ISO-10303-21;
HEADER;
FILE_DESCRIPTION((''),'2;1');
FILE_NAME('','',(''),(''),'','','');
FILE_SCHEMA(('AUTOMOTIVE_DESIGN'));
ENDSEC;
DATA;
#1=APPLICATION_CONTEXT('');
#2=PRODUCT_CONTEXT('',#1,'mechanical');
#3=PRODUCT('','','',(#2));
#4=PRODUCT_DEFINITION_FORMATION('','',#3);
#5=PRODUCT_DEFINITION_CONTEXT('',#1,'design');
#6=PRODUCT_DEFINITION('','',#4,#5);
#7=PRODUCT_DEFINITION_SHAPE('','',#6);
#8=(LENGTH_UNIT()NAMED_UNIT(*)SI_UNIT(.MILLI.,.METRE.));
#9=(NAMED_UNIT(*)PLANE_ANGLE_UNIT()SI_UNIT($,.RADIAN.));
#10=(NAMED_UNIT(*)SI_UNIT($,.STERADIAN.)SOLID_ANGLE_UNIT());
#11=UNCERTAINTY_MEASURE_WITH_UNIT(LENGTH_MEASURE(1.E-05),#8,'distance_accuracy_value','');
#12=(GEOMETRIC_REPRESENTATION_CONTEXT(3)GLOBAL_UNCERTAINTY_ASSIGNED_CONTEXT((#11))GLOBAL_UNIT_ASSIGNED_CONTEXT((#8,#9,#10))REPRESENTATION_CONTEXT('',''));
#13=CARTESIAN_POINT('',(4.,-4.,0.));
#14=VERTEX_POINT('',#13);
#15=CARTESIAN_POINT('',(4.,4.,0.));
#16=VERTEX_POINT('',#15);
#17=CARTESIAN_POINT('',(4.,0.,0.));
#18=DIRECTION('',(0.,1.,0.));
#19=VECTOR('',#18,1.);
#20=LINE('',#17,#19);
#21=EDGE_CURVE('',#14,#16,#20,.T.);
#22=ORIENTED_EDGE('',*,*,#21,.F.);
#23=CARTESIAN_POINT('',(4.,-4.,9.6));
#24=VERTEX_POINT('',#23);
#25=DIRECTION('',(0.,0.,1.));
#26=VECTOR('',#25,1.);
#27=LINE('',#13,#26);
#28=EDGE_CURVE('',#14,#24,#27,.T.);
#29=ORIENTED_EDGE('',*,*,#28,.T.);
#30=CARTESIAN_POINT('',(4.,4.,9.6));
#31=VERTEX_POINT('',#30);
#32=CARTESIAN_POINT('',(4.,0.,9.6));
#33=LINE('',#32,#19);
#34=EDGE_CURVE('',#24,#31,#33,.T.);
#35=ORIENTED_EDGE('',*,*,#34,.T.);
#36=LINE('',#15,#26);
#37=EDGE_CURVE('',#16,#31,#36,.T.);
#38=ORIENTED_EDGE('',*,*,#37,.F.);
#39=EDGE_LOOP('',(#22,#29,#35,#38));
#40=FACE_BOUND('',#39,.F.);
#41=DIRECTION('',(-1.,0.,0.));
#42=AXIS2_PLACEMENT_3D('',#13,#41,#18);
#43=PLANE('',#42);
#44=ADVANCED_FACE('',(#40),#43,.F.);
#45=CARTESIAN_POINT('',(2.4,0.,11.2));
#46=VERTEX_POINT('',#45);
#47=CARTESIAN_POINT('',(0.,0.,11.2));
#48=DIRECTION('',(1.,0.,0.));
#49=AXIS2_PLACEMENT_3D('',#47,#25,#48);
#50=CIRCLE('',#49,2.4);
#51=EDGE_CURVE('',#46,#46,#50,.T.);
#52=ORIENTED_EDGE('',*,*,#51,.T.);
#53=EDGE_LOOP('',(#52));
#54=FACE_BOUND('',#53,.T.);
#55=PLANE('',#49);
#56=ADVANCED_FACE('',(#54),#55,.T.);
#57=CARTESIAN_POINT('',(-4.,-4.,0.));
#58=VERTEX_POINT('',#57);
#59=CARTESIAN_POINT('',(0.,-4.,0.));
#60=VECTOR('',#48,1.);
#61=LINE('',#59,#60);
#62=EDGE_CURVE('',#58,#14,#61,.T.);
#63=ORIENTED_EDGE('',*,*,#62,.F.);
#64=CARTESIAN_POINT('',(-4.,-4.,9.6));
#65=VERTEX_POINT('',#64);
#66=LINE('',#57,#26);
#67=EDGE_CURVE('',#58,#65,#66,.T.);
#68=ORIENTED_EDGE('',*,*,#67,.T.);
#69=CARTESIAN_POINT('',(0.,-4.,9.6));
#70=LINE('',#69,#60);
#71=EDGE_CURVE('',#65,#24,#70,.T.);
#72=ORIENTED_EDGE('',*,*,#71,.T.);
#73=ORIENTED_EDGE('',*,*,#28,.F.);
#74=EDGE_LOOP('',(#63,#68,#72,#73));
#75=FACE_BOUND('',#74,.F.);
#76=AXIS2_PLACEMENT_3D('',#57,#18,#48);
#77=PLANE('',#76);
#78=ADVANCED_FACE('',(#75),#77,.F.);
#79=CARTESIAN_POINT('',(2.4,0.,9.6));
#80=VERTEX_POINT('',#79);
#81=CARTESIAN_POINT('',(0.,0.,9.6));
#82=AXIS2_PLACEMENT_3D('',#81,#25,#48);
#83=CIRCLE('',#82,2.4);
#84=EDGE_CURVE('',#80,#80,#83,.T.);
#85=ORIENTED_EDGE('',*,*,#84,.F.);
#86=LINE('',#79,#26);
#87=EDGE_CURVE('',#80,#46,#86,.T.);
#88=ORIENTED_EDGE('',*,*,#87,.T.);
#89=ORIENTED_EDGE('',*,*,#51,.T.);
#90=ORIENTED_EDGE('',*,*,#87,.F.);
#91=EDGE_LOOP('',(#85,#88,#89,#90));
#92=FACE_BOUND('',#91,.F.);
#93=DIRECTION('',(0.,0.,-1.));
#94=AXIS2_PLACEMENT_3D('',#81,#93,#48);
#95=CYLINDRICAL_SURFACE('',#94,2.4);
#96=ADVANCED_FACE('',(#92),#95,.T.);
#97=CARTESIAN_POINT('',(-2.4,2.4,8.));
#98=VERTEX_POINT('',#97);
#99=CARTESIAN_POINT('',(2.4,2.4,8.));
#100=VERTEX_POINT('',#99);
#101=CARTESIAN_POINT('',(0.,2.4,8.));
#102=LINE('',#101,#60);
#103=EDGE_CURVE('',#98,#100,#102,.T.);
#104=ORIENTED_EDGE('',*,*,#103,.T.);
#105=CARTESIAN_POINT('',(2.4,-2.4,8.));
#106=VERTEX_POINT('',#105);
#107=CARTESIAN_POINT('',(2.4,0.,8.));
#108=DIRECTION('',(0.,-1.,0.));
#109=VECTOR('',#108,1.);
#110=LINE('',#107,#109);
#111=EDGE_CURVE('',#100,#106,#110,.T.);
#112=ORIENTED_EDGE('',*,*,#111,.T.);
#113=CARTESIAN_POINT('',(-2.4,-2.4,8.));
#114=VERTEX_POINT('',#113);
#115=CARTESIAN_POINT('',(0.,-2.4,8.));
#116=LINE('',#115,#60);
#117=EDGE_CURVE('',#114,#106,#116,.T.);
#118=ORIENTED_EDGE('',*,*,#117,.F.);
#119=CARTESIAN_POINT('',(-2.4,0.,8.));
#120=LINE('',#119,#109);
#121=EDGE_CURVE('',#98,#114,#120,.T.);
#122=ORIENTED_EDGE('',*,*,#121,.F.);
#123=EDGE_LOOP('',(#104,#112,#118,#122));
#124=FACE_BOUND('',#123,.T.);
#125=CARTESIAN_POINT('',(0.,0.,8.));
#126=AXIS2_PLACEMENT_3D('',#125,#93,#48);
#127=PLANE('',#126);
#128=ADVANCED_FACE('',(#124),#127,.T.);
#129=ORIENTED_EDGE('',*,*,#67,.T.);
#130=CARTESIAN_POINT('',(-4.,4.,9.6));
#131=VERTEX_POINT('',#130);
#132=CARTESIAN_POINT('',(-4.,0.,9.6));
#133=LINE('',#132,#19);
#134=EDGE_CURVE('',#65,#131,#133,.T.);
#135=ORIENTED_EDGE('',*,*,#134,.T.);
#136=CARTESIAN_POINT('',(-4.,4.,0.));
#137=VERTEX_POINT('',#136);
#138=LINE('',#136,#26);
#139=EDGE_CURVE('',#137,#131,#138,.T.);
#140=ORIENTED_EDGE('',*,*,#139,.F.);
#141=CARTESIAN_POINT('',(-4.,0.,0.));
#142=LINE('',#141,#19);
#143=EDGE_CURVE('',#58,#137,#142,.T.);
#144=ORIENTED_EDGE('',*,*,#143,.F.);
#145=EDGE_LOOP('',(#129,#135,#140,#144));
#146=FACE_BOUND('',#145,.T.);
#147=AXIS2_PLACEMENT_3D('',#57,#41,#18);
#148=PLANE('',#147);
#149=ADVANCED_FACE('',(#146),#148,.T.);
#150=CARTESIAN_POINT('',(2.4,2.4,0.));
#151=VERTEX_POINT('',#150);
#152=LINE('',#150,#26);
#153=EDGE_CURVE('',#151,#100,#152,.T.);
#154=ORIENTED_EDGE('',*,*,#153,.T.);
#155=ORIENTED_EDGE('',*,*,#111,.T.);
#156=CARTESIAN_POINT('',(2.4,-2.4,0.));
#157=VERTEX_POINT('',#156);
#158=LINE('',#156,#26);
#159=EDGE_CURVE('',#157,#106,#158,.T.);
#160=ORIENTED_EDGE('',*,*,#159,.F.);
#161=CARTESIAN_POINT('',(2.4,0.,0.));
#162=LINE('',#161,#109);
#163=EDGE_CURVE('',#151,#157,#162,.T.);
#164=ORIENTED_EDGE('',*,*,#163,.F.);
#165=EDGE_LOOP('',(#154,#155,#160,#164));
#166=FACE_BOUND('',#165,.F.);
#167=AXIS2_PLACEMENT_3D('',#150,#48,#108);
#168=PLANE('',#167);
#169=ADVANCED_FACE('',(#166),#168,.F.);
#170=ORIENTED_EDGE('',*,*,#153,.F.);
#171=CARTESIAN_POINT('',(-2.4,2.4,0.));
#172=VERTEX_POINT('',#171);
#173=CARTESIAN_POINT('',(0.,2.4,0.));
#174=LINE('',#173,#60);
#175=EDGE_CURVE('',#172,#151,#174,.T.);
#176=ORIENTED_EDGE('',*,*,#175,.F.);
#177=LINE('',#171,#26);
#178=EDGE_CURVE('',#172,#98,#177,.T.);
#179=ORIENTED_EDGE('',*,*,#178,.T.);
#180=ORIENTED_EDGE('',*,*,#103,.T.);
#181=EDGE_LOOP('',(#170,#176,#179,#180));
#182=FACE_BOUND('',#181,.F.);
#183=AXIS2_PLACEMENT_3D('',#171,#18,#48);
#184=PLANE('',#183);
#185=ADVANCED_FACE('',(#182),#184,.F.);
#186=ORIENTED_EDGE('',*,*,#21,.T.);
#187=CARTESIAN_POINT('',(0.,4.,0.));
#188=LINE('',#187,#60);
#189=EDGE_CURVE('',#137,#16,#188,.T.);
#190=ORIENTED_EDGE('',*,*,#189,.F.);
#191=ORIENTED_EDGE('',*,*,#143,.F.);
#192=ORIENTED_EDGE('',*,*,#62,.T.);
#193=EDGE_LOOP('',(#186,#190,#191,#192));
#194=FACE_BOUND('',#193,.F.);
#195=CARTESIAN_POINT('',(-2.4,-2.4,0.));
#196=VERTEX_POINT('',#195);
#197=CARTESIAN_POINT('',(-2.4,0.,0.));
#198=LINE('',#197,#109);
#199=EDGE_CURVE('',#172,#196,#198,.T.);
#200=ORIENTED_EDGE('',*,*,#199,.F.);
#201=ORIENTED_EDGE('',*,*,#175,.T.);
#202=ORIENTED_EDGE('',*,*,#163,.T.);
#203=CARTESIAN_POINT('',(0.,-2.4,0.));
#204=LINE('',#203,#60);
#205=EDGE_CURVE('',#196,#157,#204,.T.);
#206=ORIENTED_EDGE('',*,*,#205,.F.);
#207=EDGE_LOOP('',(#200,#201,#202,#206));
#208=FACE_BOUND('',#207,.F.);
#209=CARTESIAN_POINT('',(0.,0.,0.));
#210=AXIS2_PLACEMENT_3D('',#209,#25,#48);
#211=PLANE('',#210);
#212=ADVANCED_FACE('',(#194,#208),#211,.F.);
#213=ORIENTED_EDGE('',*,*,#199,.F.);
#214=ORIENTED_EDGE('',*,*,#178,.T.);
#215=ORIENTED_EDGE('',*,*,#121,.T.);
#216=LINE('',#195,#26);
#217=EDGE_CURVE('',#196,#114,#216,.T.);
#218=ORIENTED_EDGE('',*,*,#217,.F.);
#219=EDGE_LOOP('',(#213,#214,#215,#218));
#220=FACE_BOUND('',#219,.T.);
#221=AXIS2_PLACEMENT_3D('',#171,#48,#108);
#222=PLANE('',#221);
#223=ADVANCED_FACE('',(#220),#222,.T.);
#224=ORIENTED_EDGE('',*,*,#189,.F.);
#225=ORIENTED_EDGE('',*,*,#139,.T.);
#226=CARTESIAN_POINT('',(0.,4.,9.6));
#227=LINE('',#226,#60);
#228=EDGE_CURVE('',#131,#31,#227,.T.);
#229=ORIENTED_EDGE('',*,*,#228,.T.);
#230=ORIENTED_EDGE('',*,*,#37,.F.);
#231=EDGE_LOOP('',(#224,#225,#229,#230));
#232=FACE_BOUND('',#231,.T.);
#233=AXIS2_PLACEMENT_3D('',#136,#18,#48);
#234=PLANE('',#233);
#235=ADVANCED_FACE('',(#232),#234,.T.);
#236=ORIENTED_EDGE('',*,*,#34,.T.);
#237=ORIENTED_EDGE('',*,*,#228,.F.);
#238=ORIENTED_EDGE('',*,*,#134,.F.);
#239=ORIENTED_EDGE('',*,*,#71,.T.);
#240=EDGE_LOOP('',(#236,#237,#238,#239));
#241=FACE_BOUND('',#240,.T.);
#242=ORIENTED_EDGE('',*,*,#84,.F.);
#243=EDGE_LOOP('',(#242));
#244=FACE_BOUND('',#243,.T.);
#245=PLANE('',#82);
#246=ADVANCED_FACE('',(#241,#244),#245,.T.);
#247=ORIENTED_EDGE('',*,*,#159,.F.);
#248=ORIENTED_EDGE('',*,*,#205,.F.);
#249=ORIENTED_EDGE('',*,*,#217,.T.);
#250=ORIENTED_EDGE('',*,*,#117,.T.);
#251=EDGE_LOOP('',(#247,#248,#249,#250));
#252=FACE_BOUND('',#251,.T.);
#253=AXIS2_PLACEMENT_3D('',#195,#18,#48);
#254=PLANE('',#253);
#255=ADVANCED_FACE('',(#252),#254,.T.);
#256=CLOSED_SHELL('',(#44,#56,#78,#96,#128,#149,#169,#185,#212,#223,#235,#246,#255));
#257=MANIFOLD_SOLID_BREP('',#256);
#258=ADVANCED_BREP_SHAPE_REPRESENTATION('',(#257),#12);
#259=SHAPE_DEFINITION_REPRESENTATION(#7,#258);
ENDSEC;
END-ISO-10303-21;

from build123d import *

# Parameters (mm, degrees)
F0_W     = 8
F0_H     = 8
F1_DEPTH = 9.6
F2_W     = 4.8
F2_H     = 4.8
F3_DEPTH = 8
F4_R     = 2.4
F5_DEPTH = 1.6


with BuildPart() as f1:
    # F0 (on Top) → F1 (new body)
    with BuildSketch(Plane.XY):
        Rectangle(F0_W, F0_H)
    extrude(amount=F1_DEPTH)

    # F2 (on face) → F3 (cut)
    with BuildSketch(Plane(origin=(0, 0, 0), x_dir=(1, 0, 0), z_dir=(0, 0, -1))):
        Rectangle(F2_W, F2_H)
    extrude(amount=-F3_DEPTH, mode=Mode.SUBTRACT)

    # F4 (on face) → F5 (join)
    with BuildSketch(Plane.XY.offset(9.6)):
        Circle(F4_R)
    extrude(amount=F5_DEPTH)


solid = f1.part
